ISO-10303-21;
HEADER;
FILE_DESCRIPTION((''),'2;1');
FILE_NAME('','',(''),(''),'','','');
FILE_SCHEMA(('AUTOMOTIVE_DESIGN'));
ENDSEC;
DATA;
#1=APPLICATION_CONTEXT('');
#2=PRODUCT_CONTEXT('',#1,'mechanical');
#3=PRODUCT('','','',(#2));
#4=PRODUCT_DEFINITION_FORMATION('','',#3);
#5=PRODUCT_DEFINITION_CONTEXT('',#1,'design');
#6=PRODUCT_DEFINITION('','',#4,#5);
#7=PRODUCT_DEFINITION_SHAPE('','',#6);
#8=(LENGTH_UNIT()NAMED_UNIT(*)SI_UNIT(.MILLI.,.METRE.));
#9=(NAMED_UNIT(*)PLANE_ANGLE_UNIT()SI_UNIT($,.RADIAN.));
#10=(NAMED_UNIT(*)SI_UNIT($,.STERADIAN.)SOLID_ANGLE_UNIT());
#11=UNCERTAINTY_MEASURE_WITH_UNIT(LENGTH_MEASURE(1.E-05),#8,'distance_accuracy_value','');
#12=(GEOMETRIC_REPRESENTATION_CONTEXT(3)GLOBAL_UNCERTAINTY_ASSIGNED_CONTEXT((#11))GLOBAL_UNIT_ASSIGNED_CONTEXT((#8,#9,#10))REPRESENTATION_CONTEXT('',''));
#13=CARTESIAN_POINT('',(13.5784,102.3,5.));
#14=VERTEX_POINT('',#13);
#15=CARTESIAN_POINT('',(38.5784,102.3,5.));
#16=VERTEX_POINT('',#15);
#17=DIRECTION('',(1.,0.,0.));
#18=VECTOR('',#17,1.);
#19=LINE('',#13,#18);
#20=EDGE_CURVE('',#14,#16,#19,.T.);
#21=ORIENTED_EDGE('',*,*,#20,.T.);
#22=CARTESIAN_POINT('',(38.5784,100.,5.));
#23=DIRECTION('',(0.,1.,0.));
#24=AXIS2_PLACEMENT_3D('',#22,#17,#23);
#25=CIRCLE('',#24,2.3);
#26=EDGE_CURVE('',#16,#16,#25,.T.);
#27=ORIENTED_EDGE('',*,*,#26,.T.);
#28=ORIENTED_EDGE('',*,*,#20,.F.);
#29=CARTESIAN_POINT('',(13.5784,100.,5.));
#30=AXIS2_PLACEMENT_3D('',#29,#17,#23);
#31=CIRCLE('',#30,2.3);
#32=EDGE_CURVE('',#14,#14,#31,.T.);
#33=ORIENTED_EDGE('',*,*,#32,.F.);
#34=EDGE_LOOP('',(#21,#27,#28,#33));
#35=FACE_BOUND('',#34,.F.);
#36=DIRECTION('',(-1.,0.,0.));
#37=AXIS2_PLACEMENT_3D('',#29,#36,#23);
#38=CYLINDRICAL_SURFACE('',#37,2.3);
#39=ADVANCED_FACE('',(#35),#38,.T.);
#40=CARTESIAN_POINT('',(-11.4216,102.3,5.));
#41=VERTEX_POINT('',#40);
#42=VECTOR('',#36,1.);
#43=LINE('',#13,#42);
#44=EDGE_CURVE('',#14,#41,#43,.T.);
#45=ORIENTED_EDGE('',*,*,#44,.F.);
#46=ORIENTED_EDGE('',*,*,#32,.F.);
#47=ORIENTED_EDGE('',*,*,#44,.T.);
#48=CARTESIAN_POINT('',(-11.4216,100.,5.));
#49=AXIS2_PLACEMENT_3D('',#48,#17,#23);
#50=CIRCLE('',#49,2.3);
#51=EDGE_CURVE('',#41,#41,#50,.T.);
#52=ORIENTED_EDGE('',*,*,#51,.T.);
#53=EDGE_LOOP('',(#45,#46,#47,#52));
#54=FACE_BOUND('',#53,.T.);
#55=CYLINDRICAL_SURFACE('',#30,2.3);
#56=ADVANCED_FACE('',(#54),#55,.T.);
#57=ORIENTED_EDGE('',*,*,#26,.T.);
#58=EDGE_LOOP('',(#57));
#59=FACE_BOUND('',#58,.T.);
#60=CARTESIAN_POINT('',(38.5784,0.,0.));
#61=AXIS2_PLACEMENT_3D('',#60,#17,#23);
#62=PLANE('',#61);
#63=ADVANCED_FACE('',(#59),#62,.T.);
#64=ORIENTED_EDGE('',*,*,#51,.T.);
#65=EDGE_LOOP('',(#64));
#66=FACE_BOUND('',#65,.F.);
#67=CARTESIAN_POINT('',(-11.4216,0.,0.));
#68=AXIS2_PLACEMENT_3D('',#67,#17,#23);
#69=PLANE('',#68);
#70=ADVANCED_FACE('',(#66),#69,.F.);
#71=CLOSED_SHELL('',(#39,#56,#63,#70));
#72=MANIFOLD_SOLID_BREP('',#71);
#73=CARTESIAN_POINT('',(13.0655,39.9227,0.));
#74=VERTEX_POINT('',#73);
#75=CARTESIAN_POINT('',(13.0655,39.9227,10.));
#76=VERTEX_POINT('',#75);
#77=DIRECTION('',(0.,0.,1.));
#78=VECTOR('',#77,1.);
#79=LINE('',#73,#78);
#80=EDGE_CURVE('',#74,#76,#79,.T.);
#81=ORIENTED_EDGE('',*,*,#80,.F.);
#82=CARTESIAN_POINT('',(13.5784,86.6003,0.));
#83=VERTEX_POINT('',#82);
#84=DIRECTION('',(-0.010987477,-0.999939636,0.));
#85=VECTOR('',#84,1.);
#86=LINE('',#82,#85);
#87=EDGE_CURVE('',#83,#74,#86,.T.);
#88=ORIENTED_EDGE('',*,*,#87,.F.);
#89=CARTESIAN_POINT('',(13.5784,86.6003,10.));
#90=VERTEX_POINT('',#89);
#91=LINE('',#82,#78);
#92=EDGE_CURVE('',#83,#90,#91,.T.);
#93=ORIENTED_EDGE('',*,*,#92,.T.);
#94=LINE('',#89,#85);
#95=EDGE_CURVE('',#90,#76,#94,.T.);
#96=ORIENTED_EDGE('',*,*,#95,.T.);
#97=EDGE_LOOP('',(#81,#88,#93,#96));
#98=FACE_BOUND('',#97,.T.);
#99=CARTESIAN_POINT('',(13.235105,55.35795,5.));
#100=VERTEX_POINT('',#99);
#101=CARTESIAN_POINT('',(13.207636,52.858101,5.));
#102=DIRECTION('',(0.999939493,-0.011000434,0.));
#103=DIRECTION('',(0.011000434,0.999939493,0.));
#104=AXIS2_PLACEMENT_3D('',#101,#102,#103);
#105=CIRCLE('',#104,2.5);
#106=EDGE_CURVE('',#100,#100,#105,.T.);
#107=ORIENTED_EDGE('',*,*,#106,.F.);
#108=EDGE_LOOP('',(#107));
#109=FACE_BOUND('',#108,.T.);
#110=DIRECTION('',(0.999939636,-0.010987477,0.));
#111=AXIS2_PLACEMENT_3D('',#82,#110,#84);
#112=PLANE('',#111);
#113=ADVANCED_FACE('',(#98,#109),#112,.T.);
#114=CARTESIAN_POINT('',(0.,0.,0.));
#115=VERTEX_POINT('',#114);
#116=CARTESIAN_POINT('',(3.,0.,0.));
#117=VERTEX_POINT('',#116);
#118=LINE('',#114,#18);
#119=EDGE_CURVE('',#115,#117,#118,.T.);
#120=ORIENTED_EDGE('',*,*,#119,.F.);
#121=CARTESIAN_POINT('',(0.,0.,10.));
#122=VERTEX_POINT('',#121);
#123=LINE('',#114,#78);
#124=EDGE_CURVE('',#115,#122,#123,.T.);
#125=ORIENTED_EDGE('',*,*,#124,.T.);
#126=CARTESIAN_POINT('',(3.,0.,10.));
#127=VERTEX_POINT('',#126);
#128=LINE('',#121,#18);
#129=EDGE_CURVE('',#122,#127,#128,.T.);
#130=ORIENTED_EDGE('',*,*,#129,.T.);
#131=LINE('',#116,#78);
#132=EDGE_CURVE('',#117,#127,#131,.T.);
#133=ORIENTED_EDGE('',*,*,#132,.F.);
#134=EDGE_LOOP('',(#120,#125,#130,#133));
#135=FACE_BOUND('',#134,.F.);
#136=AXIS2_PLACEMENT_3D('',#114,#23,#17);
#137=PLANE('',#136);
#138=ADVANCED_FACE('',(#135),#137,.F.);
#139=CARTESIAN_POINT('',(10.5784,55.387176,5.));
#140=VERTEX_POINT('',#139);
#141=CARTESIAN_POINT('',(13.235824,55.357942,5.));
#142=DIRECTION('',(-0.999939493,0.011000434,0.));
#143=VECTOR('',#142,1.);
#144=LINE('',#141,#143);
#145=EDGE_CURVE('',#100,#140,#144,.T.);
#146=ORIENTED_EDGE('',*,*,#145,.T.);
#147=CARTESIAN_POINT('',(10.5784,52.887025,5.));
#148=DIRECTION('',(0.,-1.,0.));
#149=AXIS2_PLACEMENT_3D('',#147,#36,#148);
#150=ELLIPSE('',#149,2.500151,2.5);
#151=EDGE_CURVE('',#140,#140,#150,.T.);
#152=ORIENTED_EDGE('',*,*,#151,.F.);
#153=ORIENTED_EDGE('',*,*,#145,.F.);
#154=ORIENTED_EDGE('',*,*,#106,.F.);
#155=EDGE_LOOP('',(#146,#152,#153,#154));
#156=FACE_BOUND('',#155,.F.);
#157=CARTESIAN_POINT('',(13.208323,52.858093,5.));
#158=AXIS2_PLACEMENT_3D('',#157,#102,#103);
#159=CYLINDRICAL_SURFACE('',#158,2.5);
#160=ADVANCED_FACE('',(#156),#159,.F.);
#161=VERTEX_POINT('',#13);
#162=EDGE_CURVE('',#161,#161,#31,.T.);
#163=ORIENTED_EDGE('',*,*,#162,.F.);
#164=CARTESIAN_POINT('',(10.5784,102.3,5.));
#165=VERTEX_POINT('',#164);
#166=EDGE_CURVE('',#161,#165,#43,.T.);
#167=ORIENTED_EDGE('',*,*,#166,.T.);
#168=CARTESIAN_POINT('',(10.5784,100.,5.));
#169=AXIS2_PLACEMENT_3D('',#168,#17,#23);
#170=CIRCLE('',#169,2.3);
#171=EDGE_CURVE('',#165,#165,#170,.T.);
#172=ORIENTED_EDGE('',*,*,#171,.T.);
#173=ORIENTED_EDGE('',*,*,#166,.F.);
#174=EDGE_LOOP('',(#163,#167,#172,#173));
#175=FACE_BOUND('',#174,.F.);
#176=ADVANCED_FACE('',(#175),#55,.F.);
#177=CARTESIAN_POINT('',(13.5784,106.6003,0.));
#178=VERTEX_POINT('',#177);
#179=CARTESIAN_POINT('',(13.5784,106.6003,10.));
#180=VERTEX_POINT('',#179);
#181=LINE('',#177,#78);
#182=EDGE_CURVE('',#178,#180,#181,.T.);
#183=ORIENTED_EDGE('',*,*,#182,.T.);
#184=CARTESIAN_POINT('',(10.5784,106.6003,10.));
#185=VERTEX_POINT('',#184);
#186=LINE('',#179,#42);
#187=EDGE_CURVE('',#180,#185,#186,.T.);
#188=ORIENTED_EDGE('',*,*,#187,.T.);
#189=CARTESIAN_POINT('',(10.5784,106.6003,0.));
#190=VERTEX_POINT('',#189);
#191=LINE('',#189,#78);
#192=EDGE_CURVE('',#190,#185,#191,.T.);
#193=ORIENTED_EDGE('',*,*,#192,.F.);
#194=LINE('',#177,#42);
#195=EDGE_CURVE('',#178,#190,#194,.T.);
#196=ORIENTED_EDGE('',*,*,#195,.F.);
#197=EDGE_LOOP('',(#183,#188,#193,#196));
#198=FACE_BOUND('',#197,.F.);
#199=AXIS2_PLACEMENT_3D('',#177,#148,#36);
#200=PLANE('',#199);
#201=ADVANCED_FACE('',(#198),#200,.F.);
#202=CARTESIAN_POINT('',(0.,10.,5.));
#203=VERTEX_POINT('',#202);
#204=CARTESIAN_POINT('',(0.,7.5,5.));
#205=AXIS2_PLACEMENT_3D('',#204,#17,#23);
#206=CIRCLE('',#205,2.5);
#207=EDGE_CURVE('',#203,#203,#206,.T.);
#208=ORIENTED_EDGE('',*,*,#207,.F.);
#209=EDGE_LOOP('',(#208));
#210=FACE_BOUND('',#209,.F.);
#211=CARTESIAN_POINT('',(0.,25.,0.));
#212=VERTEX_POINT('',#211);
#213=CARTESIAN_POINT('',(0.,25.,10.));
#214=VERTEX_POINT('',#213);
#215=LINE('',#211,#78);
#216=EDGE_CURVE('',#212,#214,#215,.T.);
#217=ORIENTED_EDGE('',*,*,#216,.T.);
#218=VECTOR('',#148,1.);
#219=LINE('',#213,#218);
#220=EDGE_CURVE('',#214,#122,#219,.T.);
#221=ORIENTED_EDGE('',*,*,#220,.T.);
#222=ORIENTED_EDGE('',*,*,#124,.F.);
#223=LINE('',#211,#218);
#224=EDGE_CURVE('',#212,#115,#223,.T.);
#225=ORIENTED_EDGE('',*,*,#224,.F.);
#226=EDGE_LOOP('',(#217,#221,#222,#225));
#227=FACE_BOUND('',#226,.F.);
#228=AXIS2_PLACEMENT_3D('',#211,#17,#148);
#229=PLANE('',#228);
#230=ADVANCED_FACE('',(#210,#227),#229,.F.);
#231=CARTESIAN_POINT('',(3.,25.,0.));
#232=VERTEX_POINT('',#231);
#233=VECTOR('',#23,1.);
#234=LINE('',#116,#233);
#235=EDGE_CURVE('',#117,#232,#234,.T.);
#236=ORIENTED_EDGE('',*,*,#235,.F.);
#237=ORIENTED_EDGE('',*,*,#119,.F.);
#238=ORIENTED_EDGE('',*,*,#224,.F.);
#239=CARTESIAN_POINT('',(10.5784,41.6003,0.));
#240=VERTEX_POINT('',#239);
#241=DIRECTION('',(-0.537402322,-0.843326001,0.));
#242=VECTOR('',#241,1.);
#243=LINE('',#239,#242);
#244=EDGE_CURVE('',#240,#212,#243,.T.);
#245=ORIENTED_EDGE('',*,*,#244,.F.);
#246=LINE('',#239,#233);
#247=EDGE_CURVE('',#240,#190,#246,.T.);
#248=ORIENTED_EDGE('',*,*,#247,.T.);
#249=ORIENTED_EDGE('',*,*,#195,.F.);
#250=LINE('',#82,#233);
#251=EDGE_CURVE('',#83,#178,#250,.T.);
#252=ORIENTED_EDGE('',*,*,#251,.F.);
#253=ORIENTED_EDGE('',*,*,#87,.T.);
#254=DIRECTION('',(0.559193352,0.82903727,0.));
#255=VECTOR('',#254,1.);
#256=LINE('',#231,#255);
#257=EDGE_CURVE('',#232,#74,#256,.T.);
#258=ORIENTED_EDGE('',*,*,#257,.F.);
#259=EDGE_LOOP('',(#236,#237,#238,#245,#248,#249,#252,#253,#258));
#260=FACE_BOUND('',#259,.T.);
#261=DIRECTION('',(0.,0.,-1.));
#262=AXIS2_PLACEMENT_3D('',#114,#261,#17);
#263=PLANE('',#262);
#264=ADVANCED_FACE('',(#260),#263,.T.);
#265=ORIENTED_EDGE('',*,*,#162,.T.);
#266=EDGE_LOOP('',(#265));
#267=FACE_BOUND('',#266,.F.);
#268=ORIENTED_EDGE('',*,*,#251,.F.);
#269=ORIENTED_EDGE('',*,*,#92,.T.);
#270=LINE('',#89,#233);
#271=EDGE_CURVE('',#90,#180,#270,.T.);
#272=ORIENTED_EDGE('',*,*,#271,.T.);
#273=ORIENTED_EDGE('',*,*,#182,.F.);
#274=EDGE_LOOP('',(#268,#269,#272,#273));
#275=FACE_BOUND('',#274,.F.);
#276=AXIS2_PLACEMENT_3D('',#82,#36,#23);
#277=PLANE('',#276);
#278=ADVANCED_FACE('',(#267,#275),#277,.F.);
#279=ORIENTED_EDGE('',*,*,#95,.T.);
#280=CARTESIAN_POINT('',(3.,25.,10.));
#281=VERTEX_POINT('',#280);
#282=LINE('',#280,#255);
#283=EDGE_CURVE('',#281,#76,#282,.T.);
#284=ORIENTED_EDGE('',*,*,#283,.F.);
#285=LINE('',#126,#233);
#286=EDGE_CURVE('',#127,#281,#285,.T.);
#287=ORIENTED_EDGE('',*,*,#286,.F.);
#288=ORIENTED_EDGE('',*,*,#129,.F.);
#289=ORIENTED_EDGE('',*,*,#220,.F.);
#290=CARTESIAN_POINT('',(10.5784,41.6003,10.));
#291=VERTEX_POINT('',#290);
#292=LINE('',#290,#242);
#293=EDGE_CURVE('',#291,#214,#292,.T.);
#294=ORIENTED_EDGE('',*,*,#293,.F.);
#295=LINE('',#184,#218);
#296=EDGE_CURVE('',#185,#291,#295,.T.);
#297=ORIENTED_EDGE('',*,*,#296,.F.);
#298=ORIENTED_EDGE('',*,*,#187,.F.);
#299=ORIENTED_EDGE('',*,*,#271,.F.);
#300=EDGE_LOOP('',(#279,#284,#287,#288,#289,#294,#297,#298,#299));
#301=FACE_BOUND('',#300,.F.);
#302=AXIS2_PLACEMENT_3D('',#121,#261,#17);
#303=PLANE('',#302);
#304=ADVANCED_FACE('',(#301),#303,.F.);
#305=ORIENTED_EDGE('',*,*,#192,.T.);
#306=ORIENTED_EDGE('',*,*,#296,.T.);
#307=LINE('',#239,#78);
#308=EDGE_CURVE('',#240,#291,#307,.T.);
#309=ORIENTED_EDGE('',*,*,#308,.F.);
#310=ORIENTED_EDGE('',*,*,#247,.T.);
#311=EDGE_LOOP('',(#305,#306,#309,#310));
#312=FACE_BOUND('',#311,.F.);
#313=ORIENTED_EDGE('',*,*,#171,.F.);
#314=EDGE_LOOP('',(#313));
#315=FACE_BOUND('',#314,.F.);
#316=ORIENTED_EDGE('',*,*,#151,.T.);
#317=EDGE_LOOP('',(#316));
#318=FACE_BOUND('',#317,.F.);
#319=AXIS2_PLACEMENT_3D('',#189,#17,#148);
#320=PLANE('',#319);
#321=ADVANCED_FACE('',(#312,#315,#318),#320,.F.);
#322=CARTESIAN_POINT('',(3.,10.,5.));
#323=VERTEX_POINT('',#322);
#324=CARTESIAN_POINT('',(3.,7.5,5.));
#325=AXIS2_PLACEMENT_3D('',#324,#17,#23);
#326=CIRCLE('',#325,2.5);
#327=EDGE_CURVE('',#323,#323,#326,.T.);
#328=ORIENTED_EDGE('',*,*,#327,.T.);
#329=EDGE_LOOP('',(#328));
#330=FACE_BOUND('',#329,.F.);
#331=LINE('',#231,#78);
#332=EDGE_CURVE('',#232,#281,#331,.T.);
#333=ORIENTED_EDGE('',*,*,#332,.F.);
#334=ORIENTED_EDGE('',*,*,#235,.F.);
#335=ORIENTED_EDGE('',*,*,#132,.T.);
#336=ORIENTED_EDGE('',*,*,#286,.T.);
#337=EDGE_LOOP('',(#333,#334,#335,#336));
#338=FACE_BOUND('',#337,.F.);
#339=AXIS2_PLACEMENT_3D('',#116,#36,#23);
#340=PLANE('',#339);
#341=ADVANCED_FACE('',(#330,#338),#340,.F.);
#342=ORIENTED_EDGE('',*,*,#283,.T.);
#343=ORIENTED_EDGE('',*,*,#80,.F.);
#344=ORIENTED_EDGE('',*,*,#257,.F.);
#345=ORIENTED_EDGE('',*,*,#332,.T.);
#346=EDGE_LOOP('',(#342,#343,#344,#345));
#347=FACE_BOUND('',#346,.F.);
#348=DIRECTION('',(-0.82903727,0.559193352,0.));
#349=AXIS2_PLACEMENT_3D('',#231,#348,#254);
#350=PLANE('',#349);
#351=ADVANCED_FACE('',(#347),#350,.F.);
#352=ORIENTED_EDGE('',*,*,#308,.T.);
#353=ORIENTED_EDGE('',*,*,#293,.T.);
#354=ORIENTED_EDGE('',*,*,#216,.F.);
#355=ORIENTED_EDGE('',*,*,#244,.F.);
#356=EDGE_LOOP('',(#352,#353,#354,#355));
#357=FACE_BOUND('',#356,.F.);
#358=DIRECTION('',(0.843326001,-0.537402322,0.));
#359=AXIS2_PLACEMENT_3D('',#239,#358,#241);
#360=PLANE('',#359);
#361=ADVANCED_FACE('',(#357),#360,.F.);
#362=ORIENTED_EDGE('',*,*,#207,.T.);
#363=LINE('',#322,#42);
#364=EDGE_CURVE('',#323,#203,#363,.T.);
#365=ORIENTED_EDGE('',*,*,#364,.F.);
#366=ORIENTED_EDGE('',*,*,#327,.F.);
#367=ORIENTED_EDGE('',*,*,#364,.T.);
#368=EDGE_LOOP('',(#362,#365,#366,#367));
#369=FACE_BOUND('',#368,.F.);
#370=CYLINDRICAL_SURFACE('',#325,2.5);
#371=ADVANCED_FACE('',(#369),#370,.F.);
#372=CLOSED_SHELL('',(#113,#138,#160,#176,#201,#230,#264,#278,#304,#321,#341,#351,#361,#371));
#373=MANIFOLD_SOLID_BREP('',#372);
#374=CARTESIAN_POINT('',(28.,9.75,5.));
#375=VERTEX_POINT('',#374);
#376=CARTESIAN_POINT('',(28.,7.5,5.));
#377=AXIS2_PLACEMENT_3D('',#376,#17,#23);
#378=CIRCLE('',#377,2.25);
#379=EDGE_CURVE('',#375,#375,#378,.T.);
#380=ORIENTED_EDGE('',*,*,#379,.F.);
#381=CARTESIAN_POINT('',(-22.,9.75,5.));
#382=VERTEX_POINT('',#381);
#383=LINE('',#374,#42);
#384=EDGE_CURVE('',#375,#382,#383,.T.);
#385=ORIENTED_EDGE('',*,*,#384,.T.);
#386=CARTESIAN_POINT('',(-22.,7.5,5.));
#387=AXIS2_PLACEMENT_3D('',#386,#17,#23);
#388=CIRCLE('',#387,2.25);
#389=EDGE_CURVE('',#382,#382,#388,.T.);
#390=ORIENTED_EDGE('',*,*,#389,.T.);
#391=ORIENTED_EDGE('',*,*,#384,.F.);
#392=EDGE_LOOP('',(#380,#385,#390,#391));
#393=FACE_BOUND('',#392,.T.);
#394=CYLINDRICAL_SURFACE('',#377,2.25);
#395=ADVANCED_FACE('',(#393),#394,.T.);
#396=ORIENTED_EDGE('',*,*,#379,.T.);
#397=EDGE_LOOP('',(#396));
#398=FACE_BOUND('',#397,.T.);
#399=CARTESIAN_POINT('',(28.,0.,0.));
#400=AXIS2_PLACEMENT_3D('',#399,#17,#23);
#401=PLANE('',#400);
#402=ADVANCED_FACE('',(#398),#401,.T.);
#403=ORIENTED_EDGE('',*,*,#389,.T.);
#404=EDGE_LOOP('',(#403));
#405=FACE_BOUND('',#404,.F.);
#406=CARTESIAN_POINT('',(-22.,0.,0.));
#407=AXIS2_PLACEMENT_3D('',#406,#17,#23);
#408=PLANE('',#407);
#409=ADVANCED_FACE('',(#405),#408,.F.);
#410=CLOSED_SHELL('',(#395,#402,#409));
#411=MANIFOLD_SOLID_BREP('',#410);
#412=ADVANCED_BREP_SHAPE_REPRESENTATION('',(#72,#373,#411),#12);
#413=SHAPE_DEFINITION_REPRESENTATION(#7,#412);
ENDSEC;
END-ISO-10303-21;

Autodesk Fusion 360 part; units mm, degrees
sketch "Sketch1" plane through (0, 0, 0) normal (0, 0, 1) x (1, 0, 0)
  line L0 (0, 0) -> (3, 0)
  line L1 (3, 0) -> (3, 25)
  line L2 (3, 25) -> (-15, 25) construction
  line L3 (-6.9872, 39.9752) -> (-9.4831, 38.3106)
  line L4 (3, 25) -> (13.0655, 39.9227)
  line L5 (3, 25) -> (21, 25) construction
  line L6 (13.0655, 39.9227) -> (10.5784, 41.6003)
  line L7 (10.5784, 41.6003) -> (0, 25)
  line L8 (10.5784, 41.6003) -> (10.5784, 86.6003)
  line L9 (10.5784, 86.6003) -> (13.5784, 86.6003)
  line L10 (13.5784, 86.6003) -> (13.0655, 39.9227)
  line L11 (0, 25) -> (0, 0)
  dimension "d1" = 3
  dimension "d2" = 25
  dimension "d6" = 56
  dimension "d7" = 18
  dimension "d8" = 3
  dimension "d9" = 45
  dimension "d10" = 3
extrude "Extrude1" add sketch "Sketch1" along normal blind 10 makes body 1
sketch "Sketch2" plane through (3, 0, 0) normal (1, 0, 0) x (0, 1, 0)
  line L0 (0, 0) -> (25, 0)
  line L1 (25, 0) -> (25, 10)
  line L2 (25, 10) -> (0, 10)
  line L3 (0, 10) -> (0, 0)
  line L4 (0, 5) -> (7.5, 5)
  circle A0 centre (7.5, 5) radius 2.5
  dimension "d13" = 7.5
  dimension "d14" = 5
extrude "Extrude2" cut sketch "Sketch2" against normal blind 17 contours A0 bodies 1
sketch "Sketch3" plane through (12.6253, -0.1387, 0) normal (0.9999, -0.011, 0) x (0.011, 0.9999, 0)
  line L0 (40.0638, 0) -> (86.7442, 0)
  line L1 (86.7442, 0) -> (86.7442, 10)
  line L2 (86.7442, 10) -> (40.0638, 10)
  line L3 (40.0638, 10) -> (40.0638, 0)
sketch "Sketch4" plane through (0, 0, 0) normal (1, 0, 0) x (0, 1, 0)
sketch "Sketch5" plane through (12.6253, -0.1387, 0) normal (0.9999, -0.011, 0) x (0.011, 0.9999, 0)
  circle A0 centre (53, 5) radius 2.5
  dimension "d19" = 5
extrude "Extrude3" cut sketch "Sketch5" against normal blind 10 bodies 1
sketch "Sketch6" plane through (0, 0, 0) normal (0, 0, -1) x (1, 0, 0)
  line L0 (0, -25) -> (10.5784, -41.6003)
  line L1 (10.5784, -41.6003) -> (10.5784, -86.6003)
  line L2 (10.5784, -86.6003) -> (13.5784, -86.6003)
  line L3 (13.5784, -86.6003) -> (13.0655, -39.9227)
  line L4 (13.0655, -39.9227) -> (3, -25)
  line L5 (3, -25) -> (3, 0)
  line L6 (3, 0) -> (0, 0)
  line L7 (0, 0) -> (0, -25)
  line L8 (13.5784, -86.6003) -> (13.5784, -106.6003)
  line L9 (13.5784, -106.6003) -> (10.5784, -106.6003)
  line L10 (10.5784, -106.6003) -> (10.5784, -86.6003)
  dimension "d22" = 20
  dimension "d23" = 3
extrude "Extrude4" add sketch "Sketch6" against normal blind 10 contours L2 L8 L9 L10 bodies 1
sketch "Sketch7" plane through (13.5784, 0, 0) normal (1, 0, 0) x (0, 1, 0)
  line L0 (86.6003, 0) -> (106.6003, 0)
  line L1 (106.6003, 0) -> (106.6003, 10)
  line L2 (106.6003, 10) -> (86.6003, 10)
  line L3 (86.6003, 10) -> (86.6003, 0)
  circle A0 centre (100, 5) radius 2.5
  dimension "d26" = 5
extrude "Extrude5" cut sketch "Sketch7" against normal blind 10 contours A0 bodies 1
sketch "Sketch8" plane through (13.5784, 0, 0) normal (1, 0, 0) x (0, 1, 0)
  circle A0 centre (100, 5) radius 2.5
  line L0 (86.6003, 0) -> (106.6003, 0)
  line L1 (106.6003, 0) -> (106.6003, 10)
  line L2 (106.6003, 10) -> (86.6003, 10)
  line L3 (86.6003, 10) -> (86.6003, 0)
  circle A1 centre (100, 5) radius 2.3
  dimension "d31" = 4.6
extrude "Extrude6" add sketch "Sketch8" against normal blind 30 contours A0 bodies 1
extrude "Extrude7" add sketch "Sketch8" along normal blind 25 and the other way blind 25 separate body contours A1 makes body 2
sketch "Sketch9" plane through (3, 0, 0) normal (1, 0, 0) x (0, 1, 0)
  circle A0 centre (7.5, 5) radius 2.5
  line L0 (0, 0) -> (25, 0)
  line L1 (25, 0) -> (25, 10)
  line L2 (25, 10) -> (0, 10)
  line L3 (0, 10) -> (0, 0)
  circle A1 centre (7.5, 5) radius 2.25
  dimension "d36" = 4.5
extrude "Extrude8" add sketch "Sketch9" along normal blind -25 and the other way blind -25 separate body contours A1 makes body 3
delete_face "DeleteFace1" 1 faces at (-7.4216, 102.4876, 4.7511) on bodies 1
